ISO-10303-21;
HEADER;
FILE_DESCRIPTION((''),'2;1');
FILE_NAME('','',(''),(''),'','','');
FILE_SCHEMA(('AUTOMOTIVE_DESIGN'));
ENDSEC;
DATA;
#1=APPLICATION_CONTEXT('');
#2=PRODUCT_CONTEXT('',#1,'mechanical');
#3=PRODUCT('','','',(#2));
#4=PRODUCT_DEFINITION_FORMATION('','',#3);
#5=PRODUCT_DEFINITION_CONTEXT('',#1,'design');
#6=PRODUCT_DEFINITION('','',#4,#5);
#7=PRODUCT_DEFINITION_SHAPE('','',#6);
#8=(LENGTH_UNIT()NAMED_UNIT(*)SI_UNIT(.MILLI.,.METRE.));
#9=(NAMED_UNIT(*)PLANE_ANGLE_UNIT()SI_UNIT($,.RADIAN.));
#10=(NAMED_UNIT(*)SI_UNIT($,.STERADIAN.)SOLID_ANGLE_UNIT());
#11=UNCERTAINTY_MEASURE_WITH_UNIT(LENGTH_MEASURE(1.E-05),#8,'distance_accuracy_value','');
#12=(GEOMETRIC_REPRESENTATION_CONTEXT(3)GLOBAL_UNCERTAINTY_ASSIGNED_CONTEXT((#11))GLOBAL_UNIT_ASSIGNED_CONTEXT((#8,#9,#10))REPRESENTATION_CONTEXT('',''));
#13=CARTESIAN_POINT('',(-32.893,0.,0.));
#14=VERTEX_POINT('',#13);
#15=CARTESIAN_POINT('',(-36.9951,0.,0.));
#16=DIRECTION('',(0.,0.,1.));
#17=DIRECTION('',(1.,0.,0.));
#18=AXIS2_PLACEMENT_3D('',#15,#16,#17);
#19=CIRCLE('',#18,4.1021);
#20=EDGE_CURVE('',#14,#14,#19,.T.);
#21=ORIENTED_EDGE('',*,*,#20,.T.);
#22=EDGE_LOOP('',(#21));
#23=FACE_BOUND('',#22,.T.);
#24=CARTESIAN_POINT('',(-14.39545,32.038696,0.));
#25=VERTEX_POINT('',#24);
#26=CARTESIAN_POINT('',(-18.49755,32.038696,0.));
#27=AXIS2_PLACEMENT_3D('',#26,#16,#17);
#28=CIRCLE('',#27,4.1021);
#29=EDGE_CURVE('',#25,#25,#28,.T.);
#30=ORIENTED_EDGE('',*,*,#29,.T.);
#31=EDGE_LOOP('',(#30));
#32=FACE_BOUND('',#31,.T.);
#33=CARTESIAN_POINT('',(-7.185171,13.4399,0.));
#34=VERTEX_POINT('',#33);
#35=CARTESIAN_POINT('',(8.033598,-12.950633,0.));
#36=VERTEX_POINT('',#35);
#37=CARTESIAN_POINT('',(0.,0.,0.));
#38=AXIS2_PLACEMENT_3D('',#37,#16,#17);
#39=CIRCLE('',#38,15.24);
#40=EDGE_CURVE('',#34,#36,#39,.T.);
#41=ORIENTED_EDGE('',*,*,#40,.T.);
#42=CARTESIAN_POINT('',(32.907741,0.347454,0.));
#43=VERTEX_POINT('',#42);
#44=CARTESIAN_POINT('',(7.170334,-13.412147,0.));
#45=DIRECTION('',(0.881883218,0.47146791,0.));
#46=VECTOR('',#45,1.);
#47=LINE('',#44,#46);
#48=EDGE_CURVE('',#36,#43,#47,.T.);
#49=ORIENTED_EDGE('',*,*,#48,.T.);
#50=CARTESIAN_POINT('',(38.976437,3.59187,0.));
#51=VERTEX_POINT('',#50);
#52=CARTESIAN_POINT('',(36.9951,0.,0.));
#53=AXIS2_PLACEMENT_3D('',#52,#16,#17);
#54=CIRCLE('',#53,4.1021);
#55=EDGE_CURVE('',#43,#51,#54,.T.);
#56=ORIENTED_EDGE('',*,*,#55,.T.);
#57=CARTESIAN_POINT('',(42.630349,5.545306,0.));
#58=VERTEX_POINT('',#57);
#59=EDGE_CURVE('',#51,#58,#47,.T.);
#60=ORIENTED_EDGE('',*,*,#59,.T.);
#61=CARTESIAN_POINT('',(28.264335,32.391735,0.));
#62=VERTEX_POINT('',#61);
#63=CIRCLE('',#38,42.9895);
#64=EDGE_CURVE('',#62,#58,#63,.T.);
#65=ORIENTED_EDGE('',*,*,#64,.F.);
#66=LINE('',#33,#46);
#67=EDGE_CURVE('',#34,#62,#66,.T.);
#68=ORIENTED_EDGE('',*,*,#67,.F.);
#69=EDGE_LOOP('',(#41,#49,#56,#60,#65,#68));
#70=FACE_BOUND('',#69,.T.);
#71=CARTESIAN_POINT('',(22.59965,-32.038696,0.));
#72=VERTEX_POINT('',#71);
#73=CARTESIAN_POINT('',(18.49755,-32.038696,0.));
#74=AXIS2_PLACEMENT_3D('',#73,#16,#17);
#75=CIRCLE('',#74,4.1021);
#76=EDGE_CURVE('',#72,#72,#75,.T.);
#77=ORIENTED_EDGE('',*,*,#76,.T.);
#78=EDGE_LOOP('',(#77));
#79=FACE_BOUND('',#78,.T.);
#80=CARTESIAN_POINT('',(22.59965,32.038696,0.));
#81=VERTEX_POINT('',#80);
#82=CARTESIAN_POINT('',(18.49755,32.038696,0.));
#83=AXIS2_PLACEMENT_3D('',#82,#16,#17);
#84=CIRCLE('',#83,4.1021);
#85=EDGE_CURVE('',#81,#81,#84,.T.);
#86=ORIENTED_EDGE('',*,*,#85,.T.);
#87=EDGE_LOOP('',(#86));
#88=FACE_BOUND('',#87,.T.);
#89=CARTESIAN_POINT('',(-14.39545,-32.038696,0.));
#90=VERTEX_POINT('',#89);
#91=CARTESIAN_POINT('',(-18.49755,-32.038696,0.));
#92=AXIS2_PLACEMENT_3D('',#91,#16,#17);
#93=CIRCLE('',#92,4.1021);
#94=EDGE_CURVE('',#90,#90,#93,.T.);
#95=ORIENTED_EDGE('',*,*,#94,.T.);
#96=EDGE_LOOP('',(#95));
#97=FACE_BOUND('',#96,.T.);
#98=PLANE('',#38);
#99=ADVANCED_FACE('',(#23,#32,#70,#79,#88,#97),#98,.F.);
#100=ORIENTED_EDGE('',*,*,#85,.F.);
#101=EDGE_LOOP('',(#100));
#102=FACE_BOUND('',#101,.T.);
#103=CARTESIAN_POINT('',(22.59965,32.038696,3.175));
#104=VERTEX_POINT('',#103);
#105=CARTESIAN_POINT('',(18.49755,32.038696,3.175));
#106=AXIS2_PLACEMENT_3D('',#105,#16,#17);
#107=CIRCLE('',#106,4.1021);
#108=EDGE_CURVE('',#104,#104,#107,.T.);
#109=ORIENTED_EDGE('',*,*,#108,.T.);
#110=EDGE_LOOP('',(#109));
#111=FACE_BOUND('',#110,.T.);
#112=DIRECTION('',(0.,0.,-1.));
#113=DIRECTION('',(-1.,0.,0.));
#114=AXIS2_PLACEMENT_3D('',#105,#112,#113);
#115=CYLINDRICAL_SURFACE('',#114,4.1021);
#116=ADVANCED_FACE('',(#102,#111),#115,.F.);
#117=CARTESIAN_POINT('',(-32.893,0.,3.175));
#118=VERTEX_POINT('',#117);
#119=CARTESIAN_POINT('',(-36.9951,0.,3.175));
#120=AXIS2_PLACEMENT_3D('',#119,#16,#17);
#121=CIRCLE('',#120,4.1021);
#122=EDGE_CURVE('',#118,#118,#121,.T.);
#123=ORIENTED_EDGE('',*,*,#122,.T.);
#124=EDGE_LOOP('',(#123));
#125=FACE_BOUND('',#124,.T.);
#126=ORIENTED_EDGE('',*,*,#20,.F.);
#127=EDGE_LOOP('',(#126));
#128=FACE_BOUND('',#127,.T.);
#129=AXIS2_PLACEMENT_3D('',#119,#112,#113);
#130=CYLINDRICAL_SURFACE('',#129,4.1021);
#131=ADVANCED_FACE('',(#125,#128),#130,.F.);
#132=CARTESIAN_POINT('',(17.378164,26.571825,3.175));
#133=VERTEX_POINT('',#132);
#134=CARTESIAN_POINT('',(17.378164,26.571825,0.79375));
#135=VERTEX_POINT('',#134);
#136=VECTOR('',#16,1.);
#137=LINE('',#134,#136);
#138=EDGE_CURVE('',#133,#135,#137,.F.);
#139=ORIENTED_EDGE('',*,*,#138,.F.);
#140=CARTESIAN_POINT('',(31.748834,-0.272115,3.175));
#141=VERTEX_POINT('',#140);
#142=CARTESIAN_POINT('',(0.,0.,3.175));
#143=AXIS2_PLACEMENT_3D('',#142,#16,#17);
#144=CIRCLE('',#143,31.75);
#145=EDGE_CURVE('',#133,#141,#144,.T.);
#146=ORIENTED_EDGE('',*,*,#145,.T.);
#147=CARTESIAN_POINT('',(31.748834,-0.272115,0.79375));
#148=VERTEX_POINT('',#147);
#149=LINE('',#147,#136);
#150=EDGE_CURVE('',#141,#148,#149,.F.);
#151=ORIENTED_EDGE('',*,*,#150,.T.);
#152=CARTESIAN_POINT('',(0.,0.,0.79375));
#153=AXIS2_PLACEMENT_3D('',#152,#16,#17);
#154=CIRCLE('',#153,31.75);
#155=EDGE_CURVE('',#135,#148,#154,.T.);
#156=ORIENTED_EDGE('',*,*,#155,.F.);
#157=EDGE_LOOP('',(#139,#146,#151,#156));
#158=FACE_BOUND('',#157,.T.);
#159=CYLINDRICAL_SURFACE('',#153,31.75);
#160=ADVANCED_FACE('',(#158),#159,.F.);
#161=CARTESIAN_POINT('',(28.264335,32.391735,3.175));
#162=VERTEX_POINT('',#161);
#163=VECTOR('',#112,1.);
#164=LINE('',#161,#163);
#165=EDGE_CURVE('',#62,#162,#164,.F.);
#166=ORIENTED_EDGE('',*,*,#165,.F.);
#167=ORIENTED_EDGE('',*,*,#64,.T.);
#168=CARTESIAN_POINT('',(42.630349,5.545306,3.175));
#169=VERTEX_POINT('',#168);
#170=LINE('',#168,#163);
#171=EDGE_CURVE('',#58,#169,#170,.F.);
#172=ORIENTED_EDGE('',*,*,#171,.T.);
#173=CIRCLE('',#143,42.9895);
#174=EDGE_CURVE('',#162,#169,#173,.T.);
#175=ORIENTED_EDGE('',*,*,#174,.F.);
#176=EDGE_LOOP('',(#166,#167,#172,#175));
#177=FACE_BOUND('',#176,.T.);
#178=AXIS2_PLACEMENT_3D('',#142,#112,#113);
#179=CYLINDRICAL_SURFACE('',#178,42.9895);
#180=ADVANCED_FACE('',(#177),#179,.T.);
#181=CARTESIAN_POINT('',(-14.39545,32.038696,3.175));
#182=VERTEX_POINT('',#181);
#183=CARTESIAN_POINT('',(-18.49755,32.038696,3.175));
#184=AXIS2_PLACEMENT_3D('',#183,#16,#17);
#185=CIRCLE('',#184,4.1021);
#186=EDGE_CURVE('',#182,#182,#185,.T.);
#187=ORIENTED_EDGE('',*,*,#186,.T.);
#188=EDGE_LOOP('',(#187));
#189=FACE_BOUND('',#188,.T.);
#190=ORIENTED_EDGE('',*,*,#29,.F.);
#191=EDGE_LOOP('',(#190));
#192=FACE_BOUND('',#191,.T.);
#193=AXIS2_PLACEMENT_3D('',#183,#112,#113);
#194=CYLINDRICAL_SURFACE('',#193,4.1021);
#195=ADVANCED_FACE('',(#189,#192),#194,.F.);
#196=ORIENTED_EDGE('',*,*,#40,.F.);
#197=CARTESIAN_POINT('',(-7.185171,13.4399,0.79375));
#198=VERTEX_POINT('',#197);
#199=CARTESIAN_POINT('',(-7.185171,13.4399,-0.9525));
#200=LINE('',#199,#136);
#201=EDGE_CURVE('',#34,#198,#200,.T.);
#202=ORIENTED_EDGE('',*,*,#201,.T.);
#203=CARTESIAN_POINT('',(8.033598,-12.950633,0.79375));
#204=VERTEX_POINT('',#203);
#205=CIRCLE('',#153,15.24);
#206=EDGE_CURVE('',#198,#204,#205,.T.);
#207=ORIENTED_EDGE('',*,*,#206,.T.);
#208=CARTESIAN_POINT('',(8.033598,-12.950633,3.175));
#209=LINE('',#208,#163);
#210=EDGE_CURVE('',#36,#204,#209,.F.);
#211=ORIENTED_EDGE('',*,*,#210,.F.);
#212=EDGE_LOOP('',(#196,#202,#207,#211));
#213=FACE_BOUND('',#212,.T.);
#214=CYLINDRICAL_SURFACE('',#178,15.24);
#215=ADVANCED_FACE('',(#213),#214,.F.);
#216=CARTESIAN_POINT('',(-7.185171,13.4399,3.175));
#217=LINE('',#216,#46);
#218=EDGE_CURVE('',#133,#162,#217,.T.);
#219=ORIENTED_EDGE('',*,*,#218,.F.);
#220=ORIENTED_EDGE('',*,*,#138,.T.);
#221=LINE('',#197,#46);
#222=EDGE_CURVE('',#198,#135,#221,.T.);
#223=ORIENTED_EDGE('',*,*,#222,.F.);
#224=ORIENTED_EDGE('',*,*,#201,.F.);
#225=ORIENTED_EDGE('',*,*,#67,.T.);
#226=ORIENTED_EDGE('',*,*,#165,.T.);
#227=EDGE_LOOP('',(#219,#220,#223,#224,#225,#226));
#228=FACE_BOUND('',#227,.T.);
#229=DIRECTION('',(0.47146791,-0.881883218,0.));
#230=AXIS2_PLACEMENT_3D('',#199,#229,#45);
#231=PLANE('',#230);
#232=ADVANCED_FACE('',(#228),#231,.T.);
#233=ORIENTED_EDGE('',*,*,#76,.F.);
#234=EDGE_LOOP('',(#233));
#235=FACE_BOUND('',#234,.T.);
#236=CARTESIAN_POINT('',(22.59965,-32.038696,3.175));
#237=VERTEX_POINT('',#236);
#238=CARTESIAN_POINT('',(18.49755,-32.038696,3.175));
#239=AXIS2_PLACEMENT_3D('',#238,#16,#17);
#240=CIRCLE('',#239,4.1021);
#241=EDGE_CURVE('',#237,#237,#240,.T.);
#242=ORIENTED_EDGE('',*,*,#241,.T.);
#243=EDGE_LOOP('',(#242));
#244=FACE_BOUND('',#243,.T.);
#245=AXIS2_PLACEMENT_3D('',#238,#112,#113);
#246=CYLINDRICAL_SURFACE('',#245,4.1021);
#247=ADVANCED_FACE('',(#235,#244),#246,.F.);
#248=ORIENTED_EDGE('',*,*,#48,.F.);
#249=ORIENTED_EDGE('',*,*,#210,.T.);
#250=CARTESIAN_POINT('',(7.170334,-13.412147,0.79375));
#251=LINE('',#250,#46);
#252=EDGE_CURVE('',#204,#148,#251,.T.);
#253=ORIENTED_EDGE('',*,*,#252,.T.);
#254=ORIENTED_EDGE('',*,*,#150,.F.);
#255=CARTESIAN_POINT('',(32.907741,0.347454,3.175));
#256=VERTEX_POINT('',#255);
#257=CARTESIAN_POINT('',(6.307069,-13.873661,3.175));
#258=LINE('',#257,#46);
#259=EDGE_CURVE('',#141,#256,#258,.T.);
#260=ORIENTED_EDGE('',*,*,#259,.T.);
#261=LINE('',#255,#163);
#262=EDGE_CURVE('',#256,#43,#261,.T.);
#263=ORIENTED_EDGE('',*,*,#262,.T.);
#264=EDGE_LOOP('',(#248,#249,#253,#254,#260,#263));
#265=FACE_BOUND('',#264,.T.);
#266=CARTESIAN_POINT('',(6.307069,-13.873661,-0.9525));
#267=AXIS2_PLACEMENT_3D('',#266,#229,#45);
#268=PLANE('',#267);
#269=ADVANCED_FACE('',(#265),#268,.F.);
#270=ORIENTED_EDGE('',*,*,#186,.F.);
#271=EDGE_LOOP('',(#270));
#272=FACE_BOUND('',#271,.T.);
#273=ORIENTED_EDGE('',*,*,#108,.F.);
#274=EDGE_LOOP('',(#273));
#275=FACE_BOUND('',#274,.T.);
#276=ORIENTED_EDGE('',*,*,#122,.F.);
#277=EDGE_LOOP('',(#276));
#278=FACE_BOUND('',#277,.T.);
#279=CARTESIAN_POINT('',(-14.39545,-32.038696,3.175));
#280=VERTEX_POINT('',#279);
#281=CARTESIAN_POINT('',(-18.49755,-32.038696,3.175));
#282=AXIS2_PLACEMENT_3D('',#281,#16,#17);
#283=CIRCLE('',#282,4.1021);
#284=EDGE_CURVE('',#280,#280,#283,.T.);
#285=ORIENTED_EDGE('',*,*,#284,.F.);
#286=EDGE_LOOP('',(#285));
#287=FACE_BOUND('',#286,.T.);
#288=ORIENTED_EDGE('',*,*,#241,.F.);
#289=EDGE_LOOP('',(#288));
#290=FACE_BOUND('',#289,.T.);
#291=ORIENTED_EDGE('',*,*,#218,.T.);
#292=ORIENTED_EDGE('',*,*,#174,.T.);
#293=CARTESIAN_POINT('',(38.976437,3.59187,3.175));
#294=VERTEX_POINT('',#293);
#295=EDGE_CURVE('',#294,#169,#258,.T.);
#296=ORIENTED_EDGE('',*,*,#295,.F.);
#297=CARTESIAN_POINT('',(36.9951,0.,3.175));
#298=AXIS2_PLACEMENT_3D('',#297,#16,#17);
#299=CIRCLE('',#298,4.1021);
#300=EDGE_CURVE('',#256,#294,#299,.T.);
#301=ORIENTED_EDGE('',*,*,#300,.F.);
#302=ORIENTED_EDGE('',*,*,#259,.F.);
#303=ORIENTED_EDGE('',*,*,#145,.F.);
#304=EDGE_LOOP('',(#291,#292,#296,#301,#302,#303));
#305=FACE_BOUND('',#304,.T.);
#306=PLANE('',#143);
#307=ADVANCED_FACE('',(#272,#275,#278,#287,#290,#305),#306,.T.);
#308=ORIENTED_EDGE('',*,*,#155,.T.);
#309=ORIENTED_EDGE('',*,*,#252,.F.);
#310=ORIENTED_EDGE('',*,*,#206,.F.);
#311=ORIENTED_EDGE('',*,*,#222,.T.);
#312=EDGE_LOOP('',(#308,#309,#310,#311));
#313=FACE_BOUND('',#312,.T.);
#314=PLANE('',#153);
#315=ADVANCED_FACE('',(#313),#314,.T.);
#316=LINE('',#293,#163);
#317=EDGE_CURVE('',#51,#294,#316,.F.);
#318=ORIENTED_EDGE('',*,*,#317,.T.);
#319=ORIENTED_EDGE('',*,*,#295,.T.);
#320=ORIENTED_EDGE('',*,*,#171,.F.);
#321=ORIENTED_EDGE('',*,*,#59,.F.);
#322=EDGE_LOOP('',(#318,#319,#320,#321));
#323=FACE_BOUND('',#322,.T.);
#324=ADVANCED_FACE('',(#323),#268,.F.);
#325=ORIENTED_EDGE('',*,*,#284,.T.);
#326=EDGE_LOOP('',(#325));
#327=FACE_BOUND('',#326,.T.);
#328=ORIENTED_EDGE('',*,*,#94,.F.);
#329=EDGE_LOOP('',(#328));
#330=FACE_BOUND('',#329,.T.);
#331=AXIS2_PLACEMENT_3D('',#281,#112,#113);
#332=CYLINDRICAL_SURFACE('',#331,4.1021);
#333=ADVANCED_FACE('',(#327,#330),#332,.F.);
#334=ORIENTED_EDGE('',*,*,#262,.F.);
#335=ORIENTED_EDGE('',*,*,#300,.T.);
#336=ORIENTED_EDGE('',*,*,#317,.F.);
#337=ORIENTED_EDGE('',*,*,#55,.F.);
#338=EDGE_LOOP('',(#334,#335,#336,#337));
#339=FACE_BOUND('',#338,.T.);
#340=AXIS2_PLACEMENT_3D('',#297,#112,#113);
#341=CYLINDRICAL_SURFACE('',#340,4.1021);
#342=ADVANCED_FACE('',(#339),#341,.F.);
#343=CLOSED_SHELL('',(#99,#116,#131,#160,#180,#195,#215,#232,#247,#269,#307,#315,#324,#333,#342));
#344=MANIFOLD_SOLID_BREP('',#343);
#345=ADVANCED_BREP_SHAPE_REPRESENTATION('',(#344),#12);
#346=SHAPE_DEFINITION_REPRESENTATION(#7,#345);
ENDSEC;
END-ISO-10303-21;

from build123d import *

# Parameters (mm, degrees)
SKETCH2_R           = 42.9895
SKETCH2_R_2         = 4.1021
SKETCH2_R_3         = 15.24
BOSS_EXTRUDE2_DEPTH = 3.175
SKETCH3_R           = 31.75
CUT_EXTRUDE1_DEPTH  = 2.38125
CUT_EXTRUDE2_DEPTH  = 4.1275


with BuildPart() as part:
    # Sketch2 → Boss-Extrude2 (new body)
    with BuildSketch(Plane.XY):
        with Locations((-4e-09, 0)):
            Circle(SKETCH2_R)
        with Locations((-18.49755, 32.038696425)):
            Circle(SKETCH2_R_2, mode=Mode.SUBTRACT)
        with Locations((18.49755, 32.038696425)):
            Circle(SKETCH2_R_2, mode=Mode.SUBTRACT)
        with Locations((36.9951, 0)):
            Circle(SKETCH2_R_2, mode=Mode.SUBTRACT)
        with Locations((18.49755, -32.038696425)):
            Circle(SKETCH2_R_2, mode=Mode.SUBTRACT)
        with Locations((-18.49755, -32.038696425)):
            Circle(SKETCH2_R_2, mode=Mode.SUBTRACT)
        with Locations((-36.9951, 0)):
            Circle(SKETCH2_R_2, mode=Mode.SUBTRACT)
        with Locations((-4e-09, 0)):
            Circle(SKETCH2_R_3, mode=Mode.SUBTRACT)
    extrude(amount=BOSS_EXTRUDE2_DEPTH)

    # Sketch3 → Cut-Extrude1 (cut)
    with BuildSketch(Plane.XY.offset(3.175)):
        with Locations((-4e-09, 0)):
            Circle(SKETCH3_R)
    extrude(amount=-CUT_EXTRUDE1_DEPTH, mode=Mode.SUBTRACT)

    # Sketch3<3> → Cut-Extrude2 (cut)
    with BuildSketch(Plane.XY.offset(3.175)):
        Polygon((-7.185170954, 13.439900239), (37.844396615, 37.513378093), (51.563249181, 10.3209669), (6.307069446, -13.873661195), align=None)
    extrude(amount=-CUT_EXTRUDE2_DEPTH, mode=Mode.SUBTRACT)


solid = part.part
